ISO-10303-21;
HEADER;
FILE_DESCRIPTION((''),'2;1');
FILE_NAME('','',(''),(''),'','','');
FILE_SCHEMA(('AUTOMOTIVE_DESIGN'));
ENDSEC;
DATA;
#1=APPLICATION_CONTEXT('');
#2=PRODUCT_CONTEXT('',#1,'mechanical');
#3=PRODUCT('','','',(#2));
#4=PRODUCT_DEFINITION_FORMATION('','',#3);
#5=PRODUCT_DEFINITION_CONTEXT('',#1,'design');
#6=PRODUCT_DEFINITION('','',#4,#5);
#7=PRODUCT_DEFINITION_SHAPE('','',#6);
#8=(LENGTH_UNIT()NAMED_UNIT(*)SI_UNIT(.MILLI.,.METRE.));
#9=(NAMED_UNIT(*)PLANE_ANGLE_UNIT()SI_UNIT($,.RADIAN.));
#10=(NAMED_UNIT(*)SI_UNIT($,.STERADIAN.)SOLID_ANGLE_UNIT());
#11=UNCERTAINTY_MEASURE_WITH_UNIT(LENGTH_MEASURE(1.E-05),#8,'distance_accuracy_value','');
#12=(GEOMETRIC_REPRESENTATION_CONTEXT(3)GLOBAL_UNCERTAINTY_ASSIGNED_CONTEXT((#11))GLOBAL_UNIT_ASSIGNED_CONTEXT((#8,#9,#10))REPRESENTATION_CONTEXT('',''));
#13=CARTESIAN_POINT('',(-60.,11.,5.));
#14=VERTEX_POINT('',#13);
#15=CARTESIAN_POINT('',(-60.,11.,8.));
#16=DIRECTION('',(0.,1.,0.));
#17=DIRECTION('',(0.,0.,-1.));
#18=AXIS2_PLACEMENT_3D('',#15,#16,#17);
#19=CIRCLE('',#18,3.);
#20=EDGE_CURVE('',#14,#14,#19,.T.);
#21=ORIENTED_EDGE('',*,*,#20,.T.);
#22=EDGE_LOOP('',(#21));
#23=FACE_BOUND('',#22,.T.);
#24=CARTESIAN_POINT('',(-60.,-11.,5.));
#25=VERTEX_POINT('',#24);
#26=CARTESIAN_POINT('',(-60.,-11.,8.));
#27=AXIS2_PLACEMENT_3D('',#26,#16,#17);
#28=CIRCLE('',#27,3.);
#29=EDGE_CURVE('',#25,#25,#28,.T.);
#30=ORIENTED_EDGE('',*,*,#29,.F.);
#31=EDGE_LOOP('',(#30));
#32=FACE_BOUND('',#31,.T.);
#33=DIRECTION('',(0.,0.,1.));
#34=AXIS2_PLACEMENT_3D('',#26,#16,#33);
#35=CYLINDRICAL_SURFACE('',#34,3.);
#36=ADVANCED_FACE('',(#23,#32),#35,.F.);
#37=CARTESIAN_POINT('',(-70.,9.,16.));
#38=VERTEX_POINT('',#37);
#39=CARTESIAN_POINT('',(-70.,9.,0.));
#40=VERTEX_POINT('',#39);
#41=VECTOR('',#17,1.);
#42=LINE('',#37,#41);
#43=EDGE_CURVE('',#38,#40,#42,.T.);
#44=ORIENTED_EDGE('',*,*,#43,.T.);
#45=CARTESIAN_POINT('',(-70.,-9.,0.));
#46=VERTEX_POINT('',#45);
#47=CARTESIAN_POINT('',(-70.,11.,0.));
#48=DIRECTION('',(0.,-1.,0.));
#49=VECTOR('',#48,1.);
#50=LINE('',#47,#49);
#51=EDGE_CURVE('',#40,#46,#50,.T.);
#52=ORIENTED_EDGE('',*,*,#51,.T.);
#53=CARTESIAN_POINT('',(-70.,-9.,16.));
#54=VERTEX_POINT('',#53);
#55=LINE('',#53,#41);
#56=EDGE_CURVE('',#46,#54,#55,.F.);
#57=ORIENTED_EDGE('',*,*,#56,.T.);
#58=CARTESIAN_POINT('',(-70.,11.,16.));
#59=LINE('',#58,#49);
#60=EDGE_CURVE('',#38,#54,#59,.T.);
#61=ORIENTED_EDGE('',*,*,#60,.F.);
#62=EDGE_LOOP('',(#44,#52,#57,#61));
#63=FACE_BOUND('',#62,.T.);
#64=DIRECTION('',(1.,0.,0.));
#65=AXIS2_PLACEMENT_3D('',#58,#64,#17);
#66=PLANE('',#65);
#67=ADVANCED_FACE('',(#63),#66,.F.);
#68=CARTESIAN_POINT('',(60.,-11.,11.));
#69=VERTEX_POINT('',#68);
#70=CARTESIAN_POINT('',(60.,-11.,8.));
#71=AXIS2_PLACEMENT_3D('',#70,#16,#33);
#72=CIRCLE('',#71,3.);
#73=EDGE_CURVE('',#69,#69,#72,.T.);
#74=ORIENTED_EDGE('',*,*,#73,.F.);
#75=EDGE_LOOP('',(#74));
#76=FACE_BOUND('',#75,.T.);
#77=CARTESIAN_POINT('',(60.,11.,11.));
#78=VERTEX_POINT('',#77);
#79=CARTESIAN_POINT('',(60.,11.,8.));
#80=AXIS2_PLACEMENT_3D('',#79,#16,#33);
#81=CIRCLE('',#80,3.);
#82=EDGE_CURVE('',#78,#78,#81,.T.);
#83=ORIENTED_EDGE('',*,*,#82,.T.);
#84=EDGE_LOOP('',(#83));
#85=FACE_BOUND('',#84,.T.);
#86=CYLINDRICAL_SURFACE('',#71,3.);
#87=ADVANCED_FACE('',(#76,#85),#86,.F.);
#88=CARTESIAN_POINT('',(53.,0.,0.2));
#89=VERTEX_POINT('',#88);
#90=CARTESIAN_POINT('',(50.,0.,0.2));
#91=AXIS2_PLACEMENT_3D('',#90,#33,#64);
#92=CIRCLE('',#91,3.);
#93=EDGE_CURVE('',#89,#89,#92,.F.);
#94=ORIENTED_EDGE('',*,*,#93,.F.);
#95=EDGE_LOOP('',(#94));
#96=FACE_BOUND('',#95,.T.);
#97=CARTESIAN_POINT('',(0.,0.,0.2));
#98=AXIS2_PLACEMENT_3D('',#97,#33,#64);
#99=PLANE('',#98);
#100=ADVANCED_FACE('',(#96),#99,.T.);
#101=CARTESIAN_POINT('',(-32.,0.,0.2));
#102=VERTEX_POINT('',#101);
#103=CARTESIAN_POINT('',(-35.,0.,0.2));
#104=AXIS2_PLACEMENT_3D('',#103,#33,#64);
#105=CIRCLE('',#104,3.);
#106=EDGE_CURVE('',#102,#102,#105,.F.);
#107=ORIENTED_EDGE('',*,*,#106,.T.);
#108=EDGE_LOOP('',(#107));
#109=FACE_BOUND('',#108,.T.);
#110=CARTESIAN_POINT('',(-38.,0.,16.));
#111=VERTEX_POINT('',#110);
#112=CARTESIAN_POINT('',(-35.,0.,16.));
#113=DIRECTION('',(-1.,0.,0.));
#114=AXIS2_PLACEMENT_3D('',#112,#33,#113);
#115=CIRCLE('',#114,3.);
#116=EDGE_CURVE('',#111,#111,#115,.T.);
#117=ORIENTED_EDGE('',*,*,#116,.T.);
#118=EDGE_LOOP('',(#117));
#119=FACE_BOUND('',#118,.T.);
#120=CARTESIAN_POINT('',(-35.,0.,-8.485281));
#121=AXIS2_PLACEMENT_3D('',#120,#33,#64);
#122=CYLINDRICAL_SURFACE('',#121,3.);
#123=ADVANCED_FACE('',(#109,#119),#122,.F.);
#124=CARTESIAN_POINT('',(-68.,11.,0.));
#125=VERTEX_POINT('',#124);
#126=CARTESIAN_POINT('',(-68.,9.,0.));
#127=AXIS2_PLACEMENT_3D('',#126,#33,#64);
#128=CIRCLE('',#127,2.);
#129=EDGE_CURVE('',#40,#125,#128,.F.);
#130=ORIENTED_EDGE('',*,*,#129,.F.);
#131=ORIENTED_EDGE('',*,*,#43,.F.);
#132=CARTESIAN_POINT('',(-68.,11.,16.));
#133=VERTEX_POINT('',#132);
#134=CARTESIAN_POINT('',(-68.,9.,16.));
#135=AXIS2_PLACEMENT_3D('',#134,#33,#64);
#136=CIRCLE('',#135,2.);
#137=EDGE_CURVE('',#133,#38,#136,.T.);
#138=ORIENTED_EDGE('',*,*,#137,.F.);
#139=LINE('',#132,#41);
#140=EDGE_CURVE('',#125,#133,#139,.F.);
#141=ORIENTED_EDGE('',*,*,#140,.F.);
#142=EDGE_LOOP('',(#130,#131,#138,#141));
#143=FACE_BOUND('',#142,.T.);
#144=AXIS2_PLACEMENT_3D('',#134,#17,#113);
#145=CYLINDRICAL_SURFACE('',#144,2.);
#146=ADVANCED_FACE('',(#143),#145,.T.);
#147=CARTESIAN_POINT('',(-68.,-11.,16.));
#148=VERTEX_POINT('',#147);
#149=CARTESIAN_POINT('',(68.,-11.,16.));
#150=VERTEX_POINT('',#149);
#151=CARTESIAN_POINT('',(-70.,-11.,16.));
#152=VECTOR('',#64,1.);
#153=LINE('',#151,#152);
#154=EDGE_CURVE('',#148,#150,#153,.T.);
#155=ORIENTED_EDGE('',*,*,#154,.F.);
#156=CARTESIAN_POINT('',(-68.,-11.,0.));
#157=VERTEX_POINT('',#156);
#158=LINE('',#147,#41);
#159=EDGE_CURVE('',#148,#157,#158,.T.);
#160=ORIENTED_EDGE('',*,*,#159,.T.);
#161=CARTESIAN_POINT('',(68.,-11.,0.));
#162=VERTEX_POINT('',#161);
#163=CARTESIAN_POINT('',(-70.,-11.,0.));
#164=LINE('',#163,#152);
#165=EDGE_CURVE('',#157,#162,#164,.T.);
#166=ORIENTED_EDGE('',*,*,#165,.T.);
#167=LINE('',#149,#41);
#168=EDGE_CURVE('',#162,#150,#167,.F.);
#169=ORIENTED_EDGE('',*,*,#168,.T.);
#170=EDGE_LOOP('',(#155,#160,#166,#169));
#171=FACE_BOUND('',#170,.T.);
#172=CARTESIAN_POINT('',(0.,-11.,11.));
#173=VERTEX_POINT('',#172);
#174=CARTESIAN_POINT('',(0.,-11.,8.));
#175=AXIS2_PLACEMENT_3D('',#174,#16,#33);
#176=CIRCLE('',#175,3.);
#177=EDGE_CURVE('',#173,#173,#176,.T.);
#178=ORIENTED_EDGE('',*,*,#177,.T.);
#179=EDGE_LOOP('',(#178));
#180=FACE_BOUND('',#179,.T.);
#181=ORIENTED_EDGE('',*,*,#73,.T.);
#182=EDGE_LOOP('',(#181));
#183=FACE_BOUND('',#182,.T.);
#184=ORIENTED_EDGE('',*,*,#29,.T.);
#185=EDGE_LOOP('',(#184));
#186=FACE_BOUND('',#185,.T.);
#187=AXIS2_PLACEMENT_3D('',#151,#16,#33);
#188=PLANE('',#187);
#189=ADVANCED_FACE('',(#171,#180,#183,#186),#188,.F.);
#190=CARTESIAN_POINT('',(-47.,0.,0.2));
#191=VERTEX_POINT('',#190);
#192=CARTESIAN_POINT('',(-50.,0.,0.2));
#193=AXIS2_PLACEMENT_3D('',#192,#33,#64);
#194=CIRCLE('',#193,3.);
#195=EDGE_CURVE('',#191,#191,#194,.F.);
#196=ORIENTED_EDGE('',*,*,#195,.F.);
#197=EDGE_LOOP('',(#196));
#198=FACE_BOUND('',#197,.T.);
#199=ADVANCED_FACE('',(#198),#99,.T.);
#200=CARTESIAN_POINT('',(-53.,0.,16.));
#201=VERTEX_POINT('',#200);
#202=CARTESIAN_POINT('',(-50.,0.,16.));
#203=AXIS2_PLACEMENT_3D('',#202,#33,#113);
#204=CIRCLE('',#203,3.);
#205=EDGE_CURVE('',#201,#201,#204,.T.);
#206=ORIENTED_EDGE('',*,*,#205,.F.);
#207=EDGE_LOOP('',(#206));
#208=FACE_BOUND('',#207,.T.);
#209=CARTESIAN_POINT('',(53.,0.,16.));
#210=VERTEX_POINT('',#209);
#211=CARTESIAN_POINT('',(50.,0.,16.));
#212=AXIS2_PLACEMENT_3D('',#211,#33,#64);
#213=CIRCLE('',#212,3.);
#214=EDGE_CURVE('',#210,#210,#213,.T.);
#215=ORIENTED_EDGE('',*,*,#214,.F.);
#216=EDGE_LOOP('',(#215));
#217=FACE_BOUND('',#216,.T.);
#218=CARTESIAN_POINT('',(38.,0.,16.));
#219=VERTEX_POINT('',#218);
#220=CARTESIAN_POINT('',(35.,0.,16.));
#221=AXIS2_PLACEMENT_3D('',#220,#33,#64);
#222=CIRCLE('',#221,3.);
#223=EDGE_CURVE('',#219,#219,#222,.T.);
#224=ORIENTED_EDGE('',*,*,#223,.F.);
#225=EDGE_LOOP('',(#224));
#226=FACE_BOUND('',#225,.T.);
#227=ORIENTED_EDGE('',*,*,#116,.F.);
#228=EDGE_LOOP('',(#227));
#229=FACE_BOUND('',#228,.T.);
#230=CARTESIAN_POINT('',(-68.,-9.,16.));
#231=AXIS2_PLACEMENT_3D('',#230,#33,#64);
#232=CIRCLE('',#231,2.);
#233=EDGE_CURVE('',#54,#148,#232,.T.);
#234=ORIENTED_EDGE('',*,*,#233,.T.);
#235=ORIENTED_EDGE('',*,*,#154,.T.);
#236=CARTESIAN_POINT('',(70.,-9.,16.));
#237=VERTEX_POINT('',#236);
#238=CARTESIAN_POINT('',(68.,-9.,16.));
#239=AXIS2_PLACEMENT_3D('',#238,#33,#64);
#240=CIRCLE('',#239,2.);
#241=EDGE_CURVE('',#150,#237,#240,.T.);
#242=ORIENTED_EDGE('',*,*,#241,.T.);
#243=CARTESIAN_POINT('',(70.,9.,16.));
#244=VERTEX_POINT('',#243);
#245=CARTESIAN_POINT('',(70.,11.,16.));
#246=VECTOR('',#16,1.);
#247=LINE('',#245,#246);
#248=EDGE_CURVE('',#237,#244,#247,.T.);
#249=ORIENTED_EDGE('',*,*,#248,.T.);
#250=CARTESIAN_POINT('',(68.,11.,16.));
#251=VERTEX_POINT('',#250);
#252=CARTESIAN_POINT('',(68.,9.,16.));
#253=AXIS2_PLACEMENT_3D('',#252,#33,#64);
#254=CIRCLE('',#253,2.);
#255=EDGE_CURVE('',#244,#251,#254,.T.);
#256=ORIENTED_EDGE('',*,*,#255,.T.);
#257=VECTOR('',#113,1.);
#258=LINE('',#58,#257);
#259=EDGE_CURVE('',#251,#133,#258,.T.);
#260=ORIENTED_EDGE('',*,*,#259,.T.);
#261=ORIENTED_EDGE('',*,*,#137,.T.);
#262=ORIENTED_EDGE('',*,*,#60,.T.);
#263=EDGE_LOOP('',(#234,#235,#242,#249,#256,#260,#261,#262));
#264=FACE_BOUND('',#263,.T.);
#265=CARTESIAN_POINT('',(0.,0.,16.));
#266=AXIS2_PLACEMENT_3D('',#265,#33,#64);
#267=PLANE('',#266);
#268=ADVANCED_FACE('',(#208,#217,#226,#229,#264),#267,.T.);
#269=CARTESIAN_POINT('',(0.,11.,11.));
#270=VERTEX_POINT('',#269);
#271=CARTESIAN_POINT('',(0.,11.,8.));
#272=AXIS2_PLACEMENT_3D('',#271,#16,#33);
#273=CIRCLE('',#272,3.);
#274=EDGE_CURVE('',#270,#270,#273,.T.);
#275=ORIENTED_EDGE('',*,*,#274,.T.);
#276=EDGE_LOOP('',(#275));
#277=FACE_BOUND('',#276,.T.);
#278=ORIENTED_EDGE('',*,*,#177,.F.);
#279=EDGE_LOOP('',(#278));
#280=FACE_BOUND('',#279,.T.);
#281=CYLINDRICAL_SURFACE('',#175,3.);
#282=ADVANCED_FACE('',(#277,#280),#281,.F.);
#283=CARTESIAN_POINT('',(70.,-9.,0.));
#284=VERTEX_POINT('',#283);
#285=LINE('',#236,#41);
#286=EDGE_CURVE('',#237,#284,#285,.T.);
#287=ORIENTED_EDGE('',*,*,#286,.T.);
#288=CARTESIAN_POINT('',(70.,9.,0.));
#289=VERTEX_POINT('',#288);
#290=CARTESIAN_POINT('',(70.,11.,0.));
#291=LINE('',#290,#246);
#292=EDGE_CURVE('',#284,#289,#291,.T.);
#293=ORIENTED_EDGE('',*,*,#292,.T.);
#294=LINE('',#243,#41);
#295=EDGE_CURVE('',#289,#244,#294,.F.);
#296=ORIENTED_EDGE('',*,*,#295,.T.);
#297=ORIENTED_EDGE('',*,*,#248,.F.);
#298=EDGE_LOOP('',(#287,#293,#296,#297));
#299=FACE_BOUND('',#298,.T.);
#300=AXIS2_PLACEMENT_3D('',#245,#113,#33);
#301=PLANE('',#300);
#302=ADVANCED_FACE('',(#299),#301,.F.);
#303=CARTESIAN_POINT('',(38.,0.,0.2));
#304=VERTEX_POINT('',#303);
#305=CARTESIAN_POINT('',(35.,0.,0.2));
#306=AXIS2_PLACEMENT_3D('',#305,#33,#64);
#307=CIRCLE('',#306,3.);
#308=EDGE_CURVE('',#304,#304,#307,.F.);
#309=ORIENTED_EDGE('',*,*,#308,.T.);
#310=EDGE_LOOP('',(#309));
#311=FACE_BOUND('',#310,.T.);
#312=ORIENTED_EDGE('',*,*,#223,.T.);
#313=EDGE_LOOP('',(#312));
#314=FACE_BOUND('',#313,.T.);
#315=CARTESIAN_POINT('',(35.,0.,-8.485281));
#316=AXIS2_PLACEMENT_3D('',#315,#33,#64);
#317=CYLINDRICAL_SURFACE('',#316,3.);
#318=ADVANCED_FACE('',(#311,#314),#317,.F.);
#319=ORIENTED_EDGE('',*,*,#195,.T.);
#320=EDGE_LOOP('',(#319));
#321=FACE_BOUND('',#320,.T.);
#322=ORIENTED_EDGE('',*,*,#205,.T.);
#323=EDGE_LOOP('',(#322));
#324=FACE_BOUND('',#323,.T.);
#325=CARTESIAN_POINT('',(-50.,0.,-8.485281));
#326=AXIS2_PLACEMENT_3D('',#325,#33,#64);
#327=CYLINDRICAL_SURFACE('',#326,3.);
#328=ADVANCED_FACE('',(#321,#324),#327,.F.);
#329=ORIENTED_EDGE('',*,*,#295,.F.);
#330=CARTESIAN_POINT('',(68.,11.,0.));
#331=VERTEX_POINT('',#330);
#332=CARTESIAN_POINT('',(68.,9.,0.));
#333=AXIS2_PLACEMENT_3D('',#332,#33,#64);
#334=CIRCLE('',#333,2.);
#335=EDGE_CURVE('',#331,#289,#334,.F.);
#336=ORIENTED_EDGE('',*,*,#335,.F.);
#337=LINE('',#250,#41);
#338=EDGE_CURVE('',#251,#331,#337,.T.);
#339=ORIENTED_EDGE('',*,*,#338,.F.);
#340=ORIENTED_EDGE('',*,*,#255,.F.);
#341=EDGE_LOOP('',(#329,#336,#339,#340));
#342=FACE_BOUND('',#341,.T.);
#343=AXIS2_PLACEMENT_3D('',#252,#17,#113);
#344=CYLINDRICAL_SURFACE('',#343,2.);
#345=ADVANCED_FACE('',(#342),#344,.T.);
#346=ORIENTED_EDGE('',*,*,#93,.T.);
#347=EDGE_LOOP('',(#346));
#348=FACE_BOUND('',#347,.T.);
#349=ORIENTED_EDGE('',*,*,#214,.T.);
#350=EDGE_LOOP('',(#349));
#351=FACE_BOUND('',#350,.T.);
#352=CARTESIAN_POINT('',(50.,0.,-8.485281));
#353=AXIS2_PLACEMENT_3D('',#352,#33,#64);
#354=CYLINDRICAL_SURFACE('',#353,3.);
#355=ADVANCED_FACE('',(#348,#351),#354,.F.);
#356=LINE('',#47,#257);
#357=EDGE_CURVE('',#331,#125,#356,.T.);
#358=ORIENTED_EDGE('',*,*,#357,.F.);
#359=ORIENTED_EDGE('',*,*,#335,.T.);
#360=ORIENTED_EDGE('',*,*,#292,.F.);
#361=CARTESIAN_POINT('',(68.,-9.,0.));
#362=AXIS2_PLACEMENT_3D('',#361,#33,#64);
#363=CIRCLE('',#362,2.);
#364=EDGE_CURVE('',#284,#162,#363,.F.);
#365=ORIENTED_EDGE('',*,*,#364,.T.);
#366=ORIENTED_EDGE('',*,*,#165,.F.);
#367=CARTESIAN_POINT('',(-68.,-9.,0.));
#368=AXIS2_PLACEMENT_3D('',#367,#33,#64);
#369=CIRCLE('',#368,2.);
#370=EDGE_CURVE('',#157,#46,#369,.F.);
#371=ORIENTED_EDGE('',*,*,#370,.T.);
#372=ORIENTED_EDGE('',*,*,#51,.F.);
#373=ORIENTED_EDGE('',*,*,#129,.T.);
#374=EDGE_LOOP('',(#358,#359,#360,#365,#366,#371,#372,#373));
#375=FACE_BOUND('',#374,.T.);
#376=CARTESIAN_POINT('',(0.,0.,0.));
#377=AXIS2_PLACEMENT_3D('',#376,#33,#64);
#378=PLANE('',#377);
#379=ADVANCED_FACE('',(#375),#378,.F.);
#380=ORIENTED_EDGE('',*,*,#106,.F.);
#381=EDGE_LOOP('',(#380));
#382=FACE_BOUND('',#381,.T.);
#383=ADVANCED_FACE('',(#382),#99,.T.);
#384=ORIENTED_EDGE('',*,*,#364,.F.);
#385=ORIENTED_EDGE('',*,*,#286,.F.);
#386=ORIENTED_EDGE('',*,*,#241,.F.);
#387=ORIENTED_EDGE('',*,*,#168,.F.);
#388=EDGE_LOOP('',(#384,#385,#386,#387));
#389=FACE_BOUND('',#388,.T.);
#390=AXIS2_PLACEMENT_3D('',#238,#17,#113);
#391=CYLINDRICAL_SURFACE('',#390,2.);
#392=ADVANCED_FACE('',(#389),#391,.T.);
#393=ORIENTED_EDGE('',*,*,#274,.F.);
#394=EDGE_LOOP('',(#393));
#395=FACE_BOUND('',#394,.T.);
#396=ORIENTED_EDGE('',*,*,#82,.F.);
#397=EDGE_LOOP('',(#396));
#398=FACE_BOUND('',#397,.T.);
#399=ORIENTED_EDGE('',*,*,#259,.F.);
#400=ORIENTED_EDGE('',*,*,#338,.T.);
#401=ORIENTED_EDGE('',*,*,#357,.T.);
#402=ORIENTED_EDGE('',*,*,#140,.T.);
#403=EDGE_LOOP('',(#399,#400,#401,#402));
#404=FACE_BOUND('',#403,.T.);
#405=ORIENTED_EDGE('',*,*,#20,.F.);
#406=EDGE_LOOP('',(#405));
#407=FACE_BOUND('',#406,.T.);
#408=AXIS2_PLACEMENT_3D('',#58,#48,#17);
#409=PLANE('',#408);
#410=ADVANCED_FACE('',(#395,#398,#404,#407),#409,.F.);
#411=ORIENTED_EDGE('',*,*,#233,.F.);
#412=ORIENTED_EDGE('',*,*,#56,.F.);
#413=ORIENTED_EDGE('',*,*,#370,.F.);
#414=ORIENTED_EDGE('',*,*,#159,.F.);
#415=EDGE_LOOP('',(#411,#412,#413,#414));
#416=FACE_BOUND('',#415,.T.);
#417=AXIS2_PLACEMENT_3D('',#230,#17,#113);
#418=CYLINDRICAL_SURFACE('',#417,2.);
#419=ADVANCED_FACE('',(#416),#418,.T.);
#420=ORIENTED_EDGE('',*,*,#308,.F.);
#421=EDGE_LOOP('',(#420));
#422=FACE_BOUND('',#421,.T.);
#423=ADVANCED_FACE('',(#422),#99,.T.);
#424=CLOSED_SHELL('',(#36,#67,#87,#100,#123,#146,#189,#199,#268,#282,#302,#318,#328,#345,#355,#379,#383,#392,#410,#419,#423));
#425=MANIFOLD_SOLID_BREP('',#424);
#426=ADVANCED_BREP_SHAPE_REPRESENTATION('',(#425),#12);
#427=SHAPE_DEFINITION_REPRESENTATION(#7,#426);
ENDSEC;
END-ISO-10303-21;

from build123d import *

# Parameters (mm, degrees)
SKETCH1_W           = 140
SKETCH1_H           = 22
BOSS_EXTRUDE1_DEPTH = 16
SKETCH2_R           = 3
HOLES_DEPTH         = 15.8
SKETCH3_R           = 3
CUT_EXTRUDE2_DEPTH  = 76.099933422
FILLET2_R           = 2
FILLET4_R           = 2


with BuildPart() as part:
    # Sketch1 → Boss-Extrude1 (new body)
    with BuildSketch(Plane.XY):
        Rectangle(SKETCH1_W, SKETCH1_H)
    extrude(amount=BOSS_EXTRUDE1_DEPTH)

    # Sketch2 → holes (cut)
    with BuildSketch(Plane.XY.offset(16)):
        with Locations((35, 0)):
            Circle(SKETCH2_R)
        with Locations((50, 0)):
            Circle(SKETCH2_R)
        with Locations((-35, 0)):
            Circle(SKETCH2_R)
        with Locations((-50, 0)):
            Circle(SKETCH2_R)
    extrude(amount=-HOLES_DEPTH, mode=Mode.SUBTRACT)

    # Sketch3 → Cut-Extrude2 (cut, through all)
    with BuildSketch(Plane(origin=(0, 11, 0), x_dir=(1, 0, 0), z_dir=(0, 1, 0))):
        with Locations(Location((0, -8, 0), (0, 0, 270))):
            Circle(SKETCH3_R)
        with Locations(Location((60, -8, 0), (0, 0, 270))):
            Circle(SKETCH3_R)
        with Locations(Location((-60, -8, 0), (0, 0, 90))):
            Circle(SKETCH3_R)
    extrude(amount=-CUT_EXTRUDE2_DEPTH, mode=Mode.SUBTRACT)

    # Fillet2
    fillet2_edges = [part.edges().sort_by_distance(p)[0] for p in [
        (-70, -11, 8),
        (-70, 11, 8),
    ]]
    fillet(fillet2_edges, radius=FILLET2_R)

    # Fillet4
    fillet4_edges = [part.edges().sort_by_distance(p)[0] for p in [
        (70, -11, 8),
        (70, 11, 8),
    ]]
    fillet(fillet4_edges, radius=FILLET4_R)


solid = part.part
